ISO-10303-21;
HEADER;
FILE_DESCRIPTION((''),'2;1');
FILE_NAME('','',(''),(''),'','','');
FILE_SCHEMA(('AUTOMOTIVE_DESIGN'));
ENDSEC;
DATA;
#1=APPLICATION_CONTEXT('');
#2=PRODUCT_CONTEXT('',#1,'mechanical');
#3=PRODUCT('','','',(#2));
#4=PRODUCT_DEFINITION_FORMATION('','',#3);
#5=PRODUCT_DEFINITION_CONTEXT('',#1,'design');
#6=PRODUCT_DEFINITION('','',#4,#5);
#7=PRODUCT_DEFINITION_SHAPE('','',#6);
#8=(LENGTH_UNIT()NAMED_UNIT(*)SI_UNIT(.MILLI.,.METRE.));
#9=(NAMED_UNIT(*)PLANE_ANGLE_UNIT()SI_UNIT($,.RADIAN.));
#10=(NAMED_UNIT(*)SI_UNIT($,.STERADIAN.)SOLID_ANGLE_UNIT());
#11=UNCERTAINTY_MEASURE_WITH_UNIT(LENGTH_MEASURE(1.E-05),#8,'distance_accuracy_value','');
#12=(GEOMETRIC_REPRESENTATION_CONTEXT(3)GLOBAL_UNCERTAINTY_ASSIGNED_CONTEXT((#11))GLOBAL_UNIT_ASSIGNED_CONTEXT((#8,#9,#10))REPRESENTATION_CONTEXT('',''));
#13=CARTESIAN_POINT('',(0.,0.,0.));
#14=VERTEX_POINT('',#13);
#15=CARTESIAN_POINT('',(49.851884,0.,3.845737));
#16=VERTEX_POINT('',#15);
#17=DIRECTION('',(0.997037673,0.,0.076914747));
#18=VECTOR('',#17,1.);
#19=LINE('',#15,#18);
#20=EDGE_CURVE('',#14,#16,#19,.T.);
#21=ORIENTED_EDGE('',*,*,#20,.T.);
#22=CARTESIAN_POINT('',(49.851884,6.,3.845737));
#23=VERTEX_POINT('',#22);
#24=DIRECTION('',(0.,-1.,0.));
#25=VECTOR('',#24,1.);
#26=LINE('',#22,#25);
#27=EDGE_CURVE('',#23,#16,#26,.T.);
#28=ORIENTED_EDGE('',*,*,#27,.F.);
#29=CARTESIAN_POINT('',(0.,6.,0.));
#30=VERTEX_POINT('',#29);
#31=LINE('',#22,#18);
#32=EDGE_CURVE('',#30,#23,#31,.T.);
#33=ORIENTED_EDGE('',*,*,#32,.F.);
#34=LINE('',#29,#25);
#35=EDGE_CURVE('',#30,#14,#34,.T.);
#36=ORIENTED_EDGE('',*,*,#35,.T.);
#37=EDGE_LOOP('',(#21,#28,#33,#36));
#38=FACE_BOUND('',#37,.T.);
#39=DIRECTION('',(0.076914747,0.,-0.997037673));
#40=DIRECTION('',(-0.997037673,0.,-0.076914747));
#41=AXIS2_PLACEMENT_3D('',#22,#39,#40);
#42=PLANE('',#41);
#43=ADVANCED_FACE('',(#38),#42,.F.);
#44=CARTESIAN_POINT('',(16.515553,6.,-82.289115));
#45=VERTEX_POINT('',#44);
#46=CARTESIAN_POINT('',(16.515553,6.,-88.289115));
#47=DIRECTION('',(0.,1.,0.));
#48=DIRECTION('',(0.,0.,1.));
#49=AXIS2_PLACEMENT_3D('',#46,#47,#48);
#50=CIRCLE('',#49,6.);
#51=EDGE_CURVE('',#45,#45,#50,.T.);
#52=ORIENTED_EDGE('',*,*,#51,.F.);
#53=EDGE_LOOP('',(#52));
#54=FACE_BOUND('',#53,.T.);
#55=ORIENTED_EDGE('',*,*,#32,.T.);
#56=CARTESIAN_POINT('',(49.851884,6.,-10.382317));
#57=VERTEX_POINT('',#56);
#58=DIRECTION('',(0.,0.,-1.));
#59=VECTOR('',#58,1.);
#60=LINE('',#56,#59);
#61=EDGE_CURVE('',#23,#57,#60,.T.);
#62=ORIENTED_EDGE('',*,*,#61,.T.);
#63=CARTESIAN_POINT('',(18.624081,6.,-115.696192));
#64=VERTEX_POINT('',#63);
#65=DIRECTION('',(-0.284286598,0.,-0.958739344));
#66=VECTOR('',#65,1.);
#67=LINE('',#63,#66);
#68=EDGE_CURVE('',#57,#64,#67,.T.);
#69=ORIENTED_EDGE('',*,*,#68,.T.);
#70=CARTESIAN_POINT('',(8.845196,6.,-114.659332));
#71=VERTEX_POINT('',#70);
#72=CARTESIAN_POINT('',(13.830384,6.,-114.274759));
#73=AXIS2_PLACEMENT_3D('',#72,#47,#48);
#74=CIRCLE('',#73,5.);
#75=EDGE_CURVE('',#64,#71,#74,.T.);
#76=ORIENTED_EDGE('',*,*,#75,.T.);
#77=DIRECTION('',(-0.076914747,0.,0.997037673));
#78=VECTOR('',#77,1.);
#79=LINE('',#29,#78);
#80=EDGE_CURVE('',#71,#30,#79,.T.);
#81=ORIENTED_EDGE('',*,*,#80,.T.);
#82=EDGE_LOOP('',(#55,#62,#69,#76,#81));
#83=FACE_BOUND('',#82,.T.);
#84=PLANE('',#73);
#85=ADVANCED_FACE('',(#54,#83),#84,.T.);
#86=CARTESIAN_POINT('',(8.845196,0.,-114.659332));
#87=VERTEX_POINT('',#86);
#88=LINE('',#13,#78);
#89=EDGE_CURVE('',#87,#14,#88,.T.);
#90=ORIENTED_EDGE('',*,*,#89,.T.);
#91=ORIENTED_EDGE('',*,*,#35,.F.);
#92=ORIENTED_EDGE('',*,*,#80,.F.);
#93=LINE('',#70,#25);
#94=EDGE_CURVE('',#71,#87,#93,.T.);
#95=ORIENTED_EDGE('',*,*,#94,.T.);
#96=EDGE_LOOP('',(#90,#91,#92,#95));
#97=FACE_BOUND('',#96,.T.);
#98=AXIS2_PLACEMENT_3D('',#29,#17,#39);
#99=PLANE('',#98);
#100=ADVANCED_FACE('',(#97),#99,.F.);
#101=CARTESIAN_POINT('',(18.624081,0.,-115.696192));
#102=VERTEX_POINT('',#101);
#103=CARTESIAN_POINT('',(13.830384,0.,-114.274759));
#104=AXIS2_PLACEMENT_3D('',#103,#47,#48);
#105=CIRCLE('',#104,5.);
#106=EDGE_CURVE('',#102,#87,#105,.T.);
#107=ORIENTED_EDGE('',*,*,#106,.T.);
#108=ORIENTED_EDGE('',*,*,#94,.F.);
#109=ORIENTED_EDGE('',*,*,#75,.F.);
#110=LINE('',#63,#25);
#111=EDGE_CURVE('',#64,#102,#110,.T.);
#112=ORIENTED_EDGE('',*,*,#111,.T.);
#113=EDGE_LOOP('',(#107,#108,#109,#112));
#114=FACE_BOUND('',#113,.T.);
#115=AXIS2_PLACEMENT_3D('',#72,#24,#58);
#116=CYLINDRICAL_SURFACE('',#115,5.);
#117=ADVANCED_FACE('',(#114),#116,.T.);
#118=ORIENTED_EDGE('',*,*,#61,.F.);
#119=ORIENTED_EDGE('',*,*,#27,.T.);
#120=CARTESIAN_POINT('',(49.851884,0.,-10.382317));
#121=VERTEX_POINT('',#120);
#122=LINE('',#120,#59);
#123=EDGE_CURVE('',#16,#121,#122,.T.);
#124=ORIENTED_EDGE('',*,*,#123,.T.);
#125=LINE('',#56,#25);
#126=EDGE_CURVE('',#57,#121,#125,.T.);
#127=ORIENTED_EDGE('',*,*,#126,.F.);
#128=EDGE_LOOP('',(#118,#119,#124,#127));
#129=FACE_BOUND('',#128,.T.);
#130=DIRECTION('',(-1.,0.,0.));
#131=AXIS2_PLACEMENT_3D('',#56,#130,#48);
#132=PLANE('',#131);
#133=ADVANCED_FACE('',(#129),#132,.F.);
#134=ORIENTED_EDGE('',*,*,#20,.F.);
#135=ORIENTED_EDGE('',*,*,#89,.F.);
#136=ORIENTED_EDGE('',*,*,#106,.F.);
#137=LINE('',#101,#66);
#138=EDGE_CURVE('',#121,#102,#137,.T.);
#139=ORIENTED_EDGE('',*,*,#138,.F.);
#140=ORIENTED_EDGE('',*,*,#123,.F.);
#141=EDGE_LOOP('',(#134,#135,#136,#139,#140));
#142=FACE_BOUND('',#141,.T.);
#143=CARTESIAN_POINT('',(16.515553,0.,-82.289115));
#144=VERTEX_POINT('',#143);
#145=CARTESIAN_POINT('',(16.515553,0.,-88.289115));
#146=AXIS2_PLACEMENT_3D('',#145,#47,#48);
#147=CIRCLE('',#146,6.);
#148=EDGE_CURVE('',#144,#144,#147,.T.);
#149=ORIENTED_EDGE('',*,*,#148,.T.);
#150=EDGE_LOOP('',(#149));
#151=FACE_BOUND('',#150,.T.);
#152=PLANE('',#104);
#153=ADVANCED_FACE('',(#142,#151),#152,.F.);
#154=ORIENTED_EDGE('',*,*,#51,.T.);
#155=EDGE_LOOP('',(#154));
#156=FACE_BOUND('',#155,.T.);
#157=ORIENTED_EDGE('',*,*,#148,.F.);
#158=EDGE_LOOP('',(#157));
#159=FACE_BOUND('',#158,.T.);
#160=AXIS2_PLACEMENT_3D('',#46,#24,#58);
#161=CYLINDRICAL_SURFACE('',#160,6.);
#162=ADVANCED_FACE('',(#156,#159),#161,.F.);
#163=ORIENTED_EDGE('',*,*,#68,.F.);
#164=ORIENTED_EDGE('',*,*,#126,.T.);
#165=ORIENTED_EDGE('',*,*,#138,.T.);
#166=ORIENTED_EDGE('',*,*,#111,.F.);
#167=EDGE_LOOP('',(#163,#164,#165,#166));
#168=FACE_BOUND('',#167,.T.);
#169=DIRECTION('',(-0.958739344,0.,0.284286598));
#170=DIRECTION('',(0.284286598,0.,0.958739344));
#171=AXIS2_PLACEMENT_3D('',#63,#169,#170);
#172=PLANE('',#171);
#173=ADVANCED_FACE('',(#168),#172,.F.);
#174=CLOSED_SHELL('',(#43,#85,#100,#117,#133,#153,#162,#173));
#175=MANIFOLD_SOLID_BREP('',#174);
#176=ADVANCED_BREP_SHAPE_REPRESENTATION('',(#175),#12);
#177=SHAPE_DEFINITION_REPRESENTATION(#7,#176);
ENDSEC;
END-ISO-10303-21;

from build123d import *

# Parameters (mm, degrees)
SKETCH1_R           = 6
BOSS_EXTRUDE1_DEPTH = 6


with BuildPart() as part:
    # Sketch1 → Boss-Extrude1 (new body)
    with BuildSketch(Plane(origin=(0, 0, 0), x_dir=(1, 0, 0), z_dir=(0, 1, 0))):
        with BuildLine():
            Line((8.845195956, 114.659332409), (0, 0))
            Line((0, 0), (49.851883656, -3.845737372))
            Line((49.851883656, -3.845737372), (49.851883656, 10.382317327))
            Line((49.851883656, 10.382317327), (18.624081043, 115.696191659))
            ThreePointArc((18.624081043, 115.696191659), (13.303187452, 119.246887337), (8.845195956, 114.659332409))
        make_face()
        with Locations((16.515553245, 88.289115087)):
            Circle(SKETCH1_R, mode=Mode.SUBTRACT)
    extrude(amount=BOSS_EXTRUDE1_DEPTH)


solid = part.part
